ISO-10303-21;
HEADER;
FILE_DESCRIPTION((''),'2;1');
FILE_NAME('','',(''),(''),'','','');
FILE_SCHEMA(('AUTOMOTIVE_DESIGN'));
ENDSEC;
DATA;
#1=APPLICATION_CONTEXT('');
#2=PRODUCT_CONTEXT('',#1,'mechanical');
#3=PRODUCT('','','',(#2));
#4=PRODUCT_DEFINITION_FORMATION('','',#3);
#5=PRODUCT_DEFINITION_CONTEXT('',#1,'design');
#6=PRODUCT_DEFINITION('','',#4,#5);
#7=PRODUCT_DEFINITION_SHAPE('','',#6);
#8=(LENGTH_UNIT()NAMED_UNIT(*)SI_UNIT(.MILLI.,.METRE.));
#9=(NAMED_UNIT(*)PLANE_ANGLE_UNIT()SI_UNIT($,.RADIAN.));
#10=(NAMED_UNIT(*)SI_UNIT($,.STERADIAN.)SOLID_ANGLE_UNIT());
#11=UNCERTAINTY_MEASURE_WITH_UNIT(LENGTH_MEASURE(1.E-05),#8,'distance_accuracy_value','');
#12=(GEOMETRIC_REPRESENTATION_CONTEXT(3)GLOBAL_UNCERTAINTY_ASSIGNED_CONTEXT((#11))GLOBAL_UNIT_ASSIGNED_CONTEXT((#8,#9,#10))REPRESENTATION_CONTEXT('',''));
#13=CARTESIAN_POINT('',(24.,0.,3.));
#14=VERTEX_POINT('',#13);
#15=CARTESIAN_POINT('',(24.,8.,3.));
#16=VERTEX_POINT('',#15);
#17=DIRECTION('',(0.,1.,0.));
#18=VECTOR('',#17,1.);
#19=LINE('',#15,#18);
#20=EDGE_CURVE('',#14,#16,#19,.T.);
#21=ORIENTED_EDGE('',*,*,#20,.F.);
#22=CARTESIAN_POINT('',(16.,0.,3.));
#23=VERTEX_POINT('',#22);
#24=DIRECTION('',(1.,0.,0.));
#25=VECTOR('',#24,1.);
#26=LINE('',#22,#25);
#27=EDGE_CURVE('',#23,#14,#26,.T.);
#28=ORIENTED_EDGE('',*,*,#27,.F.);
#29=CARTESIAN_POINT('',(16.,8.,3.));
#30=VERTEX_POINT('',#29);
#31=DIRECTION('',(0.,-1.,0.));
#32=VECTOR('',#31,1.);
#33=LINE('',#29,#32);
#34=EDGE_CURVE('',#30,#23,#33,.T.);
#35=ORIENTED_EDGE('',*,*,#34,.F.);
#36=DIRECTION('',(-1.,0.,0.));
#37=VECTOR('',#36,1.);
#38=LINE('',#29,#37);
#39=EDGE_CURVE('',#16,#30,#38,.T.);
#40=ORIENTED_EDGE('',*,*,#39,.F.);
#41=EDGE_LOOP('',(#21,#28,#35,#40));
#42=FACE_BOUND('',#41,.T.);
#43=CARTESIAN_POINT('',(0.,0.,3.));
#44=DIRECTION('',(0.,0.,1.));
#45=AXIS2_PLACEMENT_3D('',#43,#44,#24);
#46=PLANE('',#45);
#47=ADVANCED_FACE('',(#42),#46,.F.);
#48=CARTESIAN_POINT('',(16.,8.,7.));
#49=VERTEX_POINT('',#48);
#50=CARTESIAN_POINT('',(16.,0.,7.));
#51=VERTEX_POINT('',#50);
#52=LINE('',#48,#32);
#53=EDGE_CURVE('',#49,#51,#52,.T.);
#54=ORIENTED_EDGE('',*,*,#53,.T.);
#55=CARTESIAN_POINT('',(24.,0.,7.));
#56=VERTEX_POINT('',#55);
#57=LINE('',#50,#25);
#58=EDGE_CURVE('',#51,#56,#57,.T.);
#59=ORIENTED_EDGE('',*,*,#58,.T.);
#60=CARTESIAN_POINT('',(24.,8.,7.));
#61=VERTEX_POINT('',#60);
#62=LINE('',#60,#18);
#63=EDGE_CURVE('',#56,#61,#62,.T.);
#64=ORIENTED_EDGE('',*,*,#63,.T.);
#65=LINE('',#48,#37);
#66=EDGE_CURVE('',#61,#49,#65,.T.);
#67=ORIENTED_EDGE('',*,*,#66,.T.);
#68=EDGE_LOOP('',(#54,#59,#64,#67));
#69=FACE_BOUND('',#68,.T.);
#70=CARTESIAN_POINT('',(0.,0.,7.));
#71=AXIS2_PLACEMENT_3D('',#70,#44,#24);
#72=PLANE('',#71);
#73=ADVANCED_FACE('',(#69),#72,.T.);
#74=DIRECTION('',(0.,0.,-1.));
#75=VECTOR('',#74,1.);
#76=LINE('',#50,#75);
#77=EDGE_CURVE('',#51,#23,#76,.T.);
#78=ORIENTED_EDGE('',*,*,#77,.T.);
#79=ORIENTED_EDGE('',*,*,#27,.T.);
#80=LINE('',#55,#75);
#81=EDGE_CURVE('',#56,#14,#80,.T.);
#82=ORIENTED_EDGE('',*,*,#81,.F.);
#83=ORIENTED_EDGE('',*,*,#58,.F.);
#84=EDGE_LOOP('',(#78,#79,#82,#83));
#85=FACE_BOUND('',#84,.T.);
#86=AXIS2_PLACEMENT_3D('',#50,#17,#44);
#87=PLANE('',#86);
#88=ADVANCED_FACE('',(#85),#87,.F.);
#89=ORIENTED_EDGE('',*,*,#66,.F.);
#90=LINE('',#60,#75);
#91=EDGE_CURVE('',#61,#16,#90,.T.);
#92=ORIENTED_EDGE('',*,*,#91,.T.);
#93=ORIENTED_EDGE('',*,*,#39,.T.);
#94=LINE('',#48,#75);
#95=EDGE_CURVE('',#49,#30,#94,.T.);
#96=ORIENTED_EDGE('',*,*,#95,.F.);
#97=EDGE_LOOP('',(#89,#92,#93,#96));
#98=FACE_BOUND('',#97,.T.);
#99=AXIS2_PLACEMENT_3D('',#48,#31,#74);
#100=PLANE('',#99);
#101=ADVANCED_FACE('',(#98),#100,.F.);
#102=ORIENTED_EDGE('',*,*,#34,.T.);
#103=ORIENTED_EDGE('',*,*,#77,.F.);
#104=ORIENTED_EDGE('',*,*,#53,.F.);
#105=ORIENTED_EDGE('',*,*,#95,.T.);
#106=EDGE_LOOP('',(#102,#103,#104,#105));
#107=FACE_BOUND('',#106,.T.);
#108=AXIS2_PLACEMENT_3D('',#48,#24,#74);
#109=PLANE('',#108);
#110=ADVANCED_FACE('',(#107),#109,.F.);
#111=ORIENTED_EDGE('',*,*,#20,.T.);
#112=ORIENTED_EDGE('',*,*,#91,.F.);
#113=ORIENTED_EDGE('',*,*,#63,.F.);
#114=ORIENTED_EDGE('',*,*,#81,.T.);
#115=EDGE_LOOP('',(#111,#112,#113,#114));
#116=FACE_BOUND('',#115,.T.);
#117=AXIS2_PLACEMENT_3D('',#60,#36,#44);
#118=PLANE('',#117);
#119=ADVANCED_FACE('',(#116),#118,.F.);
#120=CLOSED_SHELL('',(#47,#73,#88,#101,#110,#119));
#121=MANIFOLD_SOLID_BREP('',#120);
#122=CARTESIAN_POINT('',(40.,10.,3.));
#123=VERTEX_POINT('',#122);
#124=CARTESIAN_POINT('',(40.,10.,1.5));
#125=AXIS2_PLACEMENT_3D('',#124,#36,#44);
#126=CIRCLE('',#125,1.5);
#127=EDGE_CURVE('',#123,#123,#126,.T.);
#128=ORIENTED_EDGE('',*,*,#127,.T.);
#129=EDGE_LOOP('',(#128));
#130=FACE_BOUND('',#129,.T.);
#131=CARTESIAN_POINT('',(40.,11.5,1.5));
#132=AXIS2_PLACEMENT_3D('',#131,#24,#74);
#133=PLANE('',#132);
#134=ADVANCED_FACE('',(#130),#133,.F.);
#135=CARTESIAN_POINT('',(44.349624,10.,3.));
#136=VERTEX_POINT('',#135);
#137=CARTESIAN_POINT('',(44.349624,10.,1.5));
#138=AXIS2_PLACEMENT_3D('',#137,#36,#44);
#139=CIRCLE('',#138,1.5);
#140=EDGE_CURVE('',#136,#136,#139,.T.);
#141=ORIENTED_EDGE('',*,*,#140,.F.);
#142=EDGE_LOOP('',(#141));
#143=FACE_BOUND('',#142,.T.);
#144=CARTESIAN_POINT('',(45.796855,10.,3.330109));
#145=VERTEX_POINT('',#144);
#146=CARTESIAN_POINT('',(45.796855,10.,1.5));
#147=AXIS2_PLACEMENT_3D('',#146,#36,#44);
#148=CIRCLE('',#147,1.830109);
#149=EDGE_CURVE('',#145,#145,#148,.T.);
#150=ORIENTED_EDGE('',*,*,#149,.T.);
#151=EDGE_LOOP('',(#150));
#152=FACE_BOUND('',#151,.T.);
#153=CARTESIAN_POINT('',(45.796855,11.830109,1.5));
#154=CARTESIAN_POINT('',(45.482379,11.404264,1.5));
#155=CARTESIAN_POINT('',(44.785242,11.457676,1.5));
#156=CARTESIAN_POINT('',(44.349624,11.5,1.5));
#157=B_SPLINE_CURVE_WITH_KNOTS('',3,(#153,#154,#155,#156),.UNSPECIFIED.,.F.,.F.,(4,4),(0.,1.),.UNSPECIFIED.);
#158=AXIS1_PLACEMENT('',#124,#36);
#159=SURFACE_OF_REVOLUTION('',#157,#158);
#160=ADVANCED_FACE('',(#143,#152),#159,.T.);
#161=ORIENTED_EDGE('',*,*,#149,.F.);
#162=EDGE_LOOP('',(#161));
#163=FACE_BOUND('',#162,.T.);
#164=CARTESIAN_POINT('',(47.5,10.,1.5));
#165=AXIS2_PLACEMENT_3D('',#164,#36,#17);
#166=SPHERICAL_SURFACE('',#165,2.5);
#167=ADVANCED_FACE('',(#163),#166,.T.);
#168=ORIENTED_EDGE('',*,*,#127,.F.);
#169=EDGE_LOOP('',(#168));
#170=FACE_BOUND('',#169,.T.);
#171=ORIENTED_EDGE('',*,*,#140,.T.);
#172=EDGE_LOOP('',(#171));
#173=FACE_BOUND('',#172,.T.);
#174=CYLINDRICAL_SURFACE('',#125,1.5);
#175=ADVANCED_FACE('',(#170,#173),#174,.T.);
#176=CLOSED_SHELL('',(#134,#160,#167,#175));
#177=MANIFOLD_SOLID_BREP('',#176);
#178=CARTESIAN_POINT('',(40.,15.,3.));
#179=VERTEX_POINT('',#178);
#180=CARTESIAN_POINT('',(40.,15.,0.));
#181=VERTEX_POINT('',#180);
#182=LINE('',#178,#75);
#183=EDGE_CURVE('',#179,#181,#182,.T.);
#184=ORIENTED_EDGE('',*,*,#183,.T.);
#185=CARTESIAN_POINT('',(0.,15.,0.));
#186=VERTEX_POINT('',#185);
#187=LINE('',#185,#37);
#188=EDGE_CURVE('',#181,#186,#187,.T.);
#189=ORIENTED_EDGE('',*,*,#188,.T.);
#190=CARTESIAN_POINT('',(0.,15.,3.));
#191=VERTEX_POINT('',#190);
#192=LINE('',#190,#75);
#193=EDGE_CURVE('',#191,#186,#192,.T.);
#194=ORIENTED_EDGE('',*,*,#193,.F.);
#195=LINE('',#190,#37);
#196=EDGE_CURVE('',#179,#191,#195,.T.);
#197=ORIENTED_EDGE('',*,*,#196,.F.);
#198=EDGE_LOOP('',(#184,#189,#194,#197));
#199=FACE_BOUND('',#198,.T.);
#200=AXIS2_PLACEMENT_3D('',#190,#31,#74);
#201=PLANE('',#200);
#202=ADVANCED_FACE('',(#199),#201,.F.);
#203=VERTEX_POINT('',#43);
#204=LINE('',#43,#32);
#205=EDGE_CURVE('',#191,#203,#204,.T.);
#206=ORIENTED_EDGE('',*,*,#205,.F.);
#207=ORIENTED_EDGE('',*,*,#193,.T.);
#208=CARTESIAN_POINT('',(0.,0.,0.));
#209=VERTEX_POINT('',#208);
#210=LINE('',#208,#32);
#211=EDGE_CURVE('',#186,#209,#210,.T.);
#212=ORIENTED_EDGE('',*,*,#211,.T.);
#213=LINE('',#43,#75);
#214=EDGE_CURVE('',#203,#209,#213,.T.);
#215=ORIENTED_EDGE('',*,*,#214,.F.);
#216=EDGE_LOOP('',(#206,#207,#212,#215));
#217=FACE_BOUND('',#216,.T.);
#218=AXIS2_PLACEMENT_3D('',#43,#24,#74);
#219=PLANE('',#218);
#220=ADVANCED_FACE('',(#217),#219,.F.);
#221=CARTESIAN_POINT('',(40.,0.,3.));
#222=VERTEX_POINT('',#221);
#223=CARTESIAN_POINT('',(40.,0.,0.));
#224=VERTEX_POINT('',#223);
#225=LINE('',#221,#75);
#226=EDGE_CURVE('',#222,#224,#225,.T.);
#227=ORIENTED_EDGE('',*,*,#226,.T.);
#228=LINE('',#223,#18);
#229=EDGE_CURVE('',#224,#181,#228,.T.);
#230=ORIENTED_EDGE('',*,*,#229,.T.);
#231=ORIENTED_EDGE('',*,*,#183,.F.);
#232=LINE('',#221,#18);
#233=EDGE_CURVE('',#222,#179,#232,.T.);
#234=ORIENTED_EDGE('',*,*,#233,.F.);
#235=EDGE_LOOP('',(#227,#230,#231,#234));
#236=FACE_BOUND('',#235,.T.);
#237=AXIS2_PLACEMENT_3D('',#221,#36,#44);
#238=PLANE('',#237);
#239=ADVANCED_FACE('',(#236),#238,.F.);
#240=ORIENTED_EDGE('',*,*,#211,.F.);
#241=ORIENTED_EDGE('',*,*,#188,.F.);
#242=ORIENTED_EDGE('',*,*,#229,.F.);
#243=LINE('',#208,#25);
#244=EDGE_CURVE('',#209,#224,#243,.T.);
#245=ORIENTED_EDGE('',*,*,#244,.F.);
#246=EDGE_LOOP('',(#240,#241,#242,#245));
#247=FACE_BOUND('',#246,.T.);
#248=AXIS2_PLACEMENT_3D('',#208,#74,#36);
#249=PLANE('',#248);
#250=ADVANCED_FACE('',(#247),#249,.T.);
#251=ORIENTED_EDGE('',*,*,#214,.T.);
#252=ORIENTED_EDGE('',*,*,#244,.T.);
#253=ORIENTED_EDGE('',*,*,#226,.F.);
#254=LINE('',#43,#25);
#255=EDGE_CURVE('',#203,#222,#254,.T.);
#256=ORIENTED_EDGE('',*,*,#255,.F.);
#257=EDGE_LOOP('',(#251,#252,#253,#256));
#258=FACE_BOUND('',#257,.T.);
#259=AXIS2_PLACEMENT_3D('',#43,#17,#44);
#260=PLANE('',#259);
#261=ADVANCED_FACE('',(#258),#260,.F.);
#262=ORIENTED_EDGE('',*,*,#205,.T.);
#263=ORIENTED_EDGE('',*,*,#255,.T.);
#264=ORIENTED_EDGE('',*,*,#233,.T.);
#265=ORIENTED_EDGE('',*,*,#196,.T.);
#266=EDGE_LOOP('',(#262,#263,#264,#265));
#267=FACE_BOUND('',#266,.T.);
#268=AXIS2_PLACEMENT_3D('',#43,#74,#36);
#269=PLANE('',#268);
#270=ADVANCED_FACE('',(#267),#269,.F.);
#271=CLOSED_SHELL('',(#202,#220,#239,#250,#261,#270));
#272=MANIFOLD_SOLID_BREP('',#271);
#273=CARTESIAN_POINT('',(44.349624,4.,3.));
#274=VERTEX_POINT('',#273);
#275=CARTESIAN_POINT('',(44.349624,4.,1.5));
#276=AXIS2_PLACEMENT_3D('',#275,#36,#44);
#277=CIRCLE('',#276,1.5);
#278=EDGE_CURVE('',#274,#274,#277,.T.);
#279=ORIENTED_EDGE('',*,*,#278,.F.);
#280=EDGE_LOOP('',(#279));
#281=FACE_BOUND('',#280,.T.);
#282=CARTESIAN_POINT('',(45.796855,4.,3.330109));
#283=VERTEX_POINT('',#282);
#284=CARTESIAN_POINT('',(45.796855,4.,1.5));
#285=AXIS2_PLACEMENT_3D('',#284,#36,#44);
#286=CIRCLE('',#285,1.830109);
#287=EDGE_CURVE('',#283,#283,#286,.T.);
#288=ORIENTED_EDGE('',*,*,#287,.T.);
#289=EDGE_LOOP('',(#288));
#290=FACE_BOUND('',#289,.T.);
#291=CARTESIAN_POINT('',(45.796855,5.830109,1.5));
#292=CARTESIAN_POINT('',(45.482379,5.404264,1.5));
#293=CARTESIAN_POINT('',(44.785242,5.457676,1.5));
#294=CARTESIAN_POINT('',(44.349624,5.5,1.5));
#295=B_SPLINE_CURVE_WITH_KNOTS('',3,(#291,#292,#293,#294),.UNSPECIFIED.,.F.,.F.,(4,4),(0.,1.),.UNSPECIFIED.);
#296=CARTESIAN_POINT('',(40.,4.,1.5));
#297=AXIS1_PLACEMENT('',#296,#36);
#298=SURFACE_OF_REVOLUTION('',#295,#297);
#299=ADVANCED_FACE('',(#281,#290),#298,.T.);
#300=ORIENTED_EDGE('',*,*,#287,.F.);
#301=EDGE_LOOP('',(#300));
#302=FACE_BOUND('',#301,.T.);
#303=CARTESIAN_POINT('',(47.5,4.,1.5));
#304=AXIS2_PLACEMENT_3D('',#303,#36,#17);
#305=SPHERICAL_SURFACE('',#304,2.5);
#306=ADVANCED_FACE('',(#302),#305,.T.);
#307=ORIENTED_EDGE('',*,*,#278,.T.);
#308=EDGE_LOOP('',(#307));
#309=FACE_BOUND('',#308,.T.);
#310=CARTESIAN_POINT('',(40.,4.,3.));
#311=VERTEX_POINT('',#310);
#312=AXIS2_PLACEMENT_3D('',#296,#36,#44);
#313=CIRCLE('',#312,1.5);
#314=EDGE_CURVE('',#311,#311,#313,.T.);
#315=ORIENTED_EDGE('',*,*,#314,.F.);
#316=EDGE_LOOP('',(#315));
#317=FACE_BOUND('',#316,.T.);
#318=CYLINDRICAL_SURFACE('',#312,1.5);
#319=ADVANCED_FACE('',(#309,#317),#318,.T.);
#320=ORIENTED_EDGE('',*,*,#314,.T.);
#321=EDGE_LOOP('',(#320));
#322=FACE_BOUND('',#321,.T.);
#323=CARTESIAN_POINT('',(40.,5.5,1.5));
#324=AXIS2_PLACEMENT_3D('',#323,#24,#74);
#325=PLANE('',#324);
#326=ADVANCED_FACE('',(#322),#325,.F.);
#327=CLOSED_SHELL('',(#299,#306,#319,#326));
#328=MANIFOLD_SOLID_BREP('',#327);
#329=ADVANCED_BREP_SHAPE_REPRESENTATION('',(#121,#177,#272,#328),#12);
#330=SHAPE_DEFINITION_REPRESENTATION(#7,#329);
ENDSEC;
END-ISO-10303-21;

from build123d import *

# Parameters (mm, degrees)
SKETCH_1_W      = 40
SKETCH_1_H      = 15
EXTRUDE_1_DEPTH = 3
SKETCH_2_W      = 8
SKETCH_2_H      = 8
EXTRUDE_2_DEPTH = 4


with BuildPart() as part:
    # 草图1 → 凸台-拉伸1 (new body)
    with BuildSketch(Plane.XY):
        with Locations((20, 7.5)):
            Rectangle(SKETCH_1_W, SKETCH_1_H)
    extrude(amount=EXTRUDE_1_DEPTH)


with BuildPart() as body_2:
    # 草图2 → 凸台-拉伸2 (new body)
    with BuildSketch(Plane.XY.offset(3)):
        with Locations((20, 4)):
            Rectangle(SKETCH_2_W, SKETCH_2_H)
    extrude(amount=EXTRUDE_2_DEPTH)


with BuildPart() as body_3:
    # 草图3 → 旋转2 (revolve)
    with BuildSketch(Plane.XY.offset(1.5)):
        with BuildLine():
            Line((40, 7.5), (44.349624285, 7.5))
            add(Edge.make_bspline(
                [(45.796855132, 7.830108619), (45.482379037, 7.404263724), (44.785241795, 7.457676464), (44.349624285, 7.5)],
                knots=[0, 0, 0, 0, 1, 1, 1, 1], degree=3))
            ThreePointArc((45.796855132, 7.830108619), (48.498032522, 8.29214552), (50, 6))
            Line((50, 6), (40, 6))
            Line((40, 6), (40, 7.5))
        make_face()
    revolve(axis=Axis((40, 6, 1.5), (1, 0, 0)))


with BuildPart() as body_4:
    # Move Body 1: copy of body 3
    add(body_3.part.moved(Location((0, 5, 0))))


with BuildPart() as body_4_1:
    # Move Body 2: moved
    add(body_4.part.moved(Location((0, -2, 0))))


with BuildPart() as body_3_1:
    # Move Body 2: moved
    add(body_3.part.moved(Location((0, -2, 0))))


with BuildPart() as body_4_2:
    # Move Body 3: moved
    add(body_4_1.part.moved(Location((0, 1, 0))))


solid = Compound([part.part, body_2.part, body_3_1.part, body_4_2.part])
